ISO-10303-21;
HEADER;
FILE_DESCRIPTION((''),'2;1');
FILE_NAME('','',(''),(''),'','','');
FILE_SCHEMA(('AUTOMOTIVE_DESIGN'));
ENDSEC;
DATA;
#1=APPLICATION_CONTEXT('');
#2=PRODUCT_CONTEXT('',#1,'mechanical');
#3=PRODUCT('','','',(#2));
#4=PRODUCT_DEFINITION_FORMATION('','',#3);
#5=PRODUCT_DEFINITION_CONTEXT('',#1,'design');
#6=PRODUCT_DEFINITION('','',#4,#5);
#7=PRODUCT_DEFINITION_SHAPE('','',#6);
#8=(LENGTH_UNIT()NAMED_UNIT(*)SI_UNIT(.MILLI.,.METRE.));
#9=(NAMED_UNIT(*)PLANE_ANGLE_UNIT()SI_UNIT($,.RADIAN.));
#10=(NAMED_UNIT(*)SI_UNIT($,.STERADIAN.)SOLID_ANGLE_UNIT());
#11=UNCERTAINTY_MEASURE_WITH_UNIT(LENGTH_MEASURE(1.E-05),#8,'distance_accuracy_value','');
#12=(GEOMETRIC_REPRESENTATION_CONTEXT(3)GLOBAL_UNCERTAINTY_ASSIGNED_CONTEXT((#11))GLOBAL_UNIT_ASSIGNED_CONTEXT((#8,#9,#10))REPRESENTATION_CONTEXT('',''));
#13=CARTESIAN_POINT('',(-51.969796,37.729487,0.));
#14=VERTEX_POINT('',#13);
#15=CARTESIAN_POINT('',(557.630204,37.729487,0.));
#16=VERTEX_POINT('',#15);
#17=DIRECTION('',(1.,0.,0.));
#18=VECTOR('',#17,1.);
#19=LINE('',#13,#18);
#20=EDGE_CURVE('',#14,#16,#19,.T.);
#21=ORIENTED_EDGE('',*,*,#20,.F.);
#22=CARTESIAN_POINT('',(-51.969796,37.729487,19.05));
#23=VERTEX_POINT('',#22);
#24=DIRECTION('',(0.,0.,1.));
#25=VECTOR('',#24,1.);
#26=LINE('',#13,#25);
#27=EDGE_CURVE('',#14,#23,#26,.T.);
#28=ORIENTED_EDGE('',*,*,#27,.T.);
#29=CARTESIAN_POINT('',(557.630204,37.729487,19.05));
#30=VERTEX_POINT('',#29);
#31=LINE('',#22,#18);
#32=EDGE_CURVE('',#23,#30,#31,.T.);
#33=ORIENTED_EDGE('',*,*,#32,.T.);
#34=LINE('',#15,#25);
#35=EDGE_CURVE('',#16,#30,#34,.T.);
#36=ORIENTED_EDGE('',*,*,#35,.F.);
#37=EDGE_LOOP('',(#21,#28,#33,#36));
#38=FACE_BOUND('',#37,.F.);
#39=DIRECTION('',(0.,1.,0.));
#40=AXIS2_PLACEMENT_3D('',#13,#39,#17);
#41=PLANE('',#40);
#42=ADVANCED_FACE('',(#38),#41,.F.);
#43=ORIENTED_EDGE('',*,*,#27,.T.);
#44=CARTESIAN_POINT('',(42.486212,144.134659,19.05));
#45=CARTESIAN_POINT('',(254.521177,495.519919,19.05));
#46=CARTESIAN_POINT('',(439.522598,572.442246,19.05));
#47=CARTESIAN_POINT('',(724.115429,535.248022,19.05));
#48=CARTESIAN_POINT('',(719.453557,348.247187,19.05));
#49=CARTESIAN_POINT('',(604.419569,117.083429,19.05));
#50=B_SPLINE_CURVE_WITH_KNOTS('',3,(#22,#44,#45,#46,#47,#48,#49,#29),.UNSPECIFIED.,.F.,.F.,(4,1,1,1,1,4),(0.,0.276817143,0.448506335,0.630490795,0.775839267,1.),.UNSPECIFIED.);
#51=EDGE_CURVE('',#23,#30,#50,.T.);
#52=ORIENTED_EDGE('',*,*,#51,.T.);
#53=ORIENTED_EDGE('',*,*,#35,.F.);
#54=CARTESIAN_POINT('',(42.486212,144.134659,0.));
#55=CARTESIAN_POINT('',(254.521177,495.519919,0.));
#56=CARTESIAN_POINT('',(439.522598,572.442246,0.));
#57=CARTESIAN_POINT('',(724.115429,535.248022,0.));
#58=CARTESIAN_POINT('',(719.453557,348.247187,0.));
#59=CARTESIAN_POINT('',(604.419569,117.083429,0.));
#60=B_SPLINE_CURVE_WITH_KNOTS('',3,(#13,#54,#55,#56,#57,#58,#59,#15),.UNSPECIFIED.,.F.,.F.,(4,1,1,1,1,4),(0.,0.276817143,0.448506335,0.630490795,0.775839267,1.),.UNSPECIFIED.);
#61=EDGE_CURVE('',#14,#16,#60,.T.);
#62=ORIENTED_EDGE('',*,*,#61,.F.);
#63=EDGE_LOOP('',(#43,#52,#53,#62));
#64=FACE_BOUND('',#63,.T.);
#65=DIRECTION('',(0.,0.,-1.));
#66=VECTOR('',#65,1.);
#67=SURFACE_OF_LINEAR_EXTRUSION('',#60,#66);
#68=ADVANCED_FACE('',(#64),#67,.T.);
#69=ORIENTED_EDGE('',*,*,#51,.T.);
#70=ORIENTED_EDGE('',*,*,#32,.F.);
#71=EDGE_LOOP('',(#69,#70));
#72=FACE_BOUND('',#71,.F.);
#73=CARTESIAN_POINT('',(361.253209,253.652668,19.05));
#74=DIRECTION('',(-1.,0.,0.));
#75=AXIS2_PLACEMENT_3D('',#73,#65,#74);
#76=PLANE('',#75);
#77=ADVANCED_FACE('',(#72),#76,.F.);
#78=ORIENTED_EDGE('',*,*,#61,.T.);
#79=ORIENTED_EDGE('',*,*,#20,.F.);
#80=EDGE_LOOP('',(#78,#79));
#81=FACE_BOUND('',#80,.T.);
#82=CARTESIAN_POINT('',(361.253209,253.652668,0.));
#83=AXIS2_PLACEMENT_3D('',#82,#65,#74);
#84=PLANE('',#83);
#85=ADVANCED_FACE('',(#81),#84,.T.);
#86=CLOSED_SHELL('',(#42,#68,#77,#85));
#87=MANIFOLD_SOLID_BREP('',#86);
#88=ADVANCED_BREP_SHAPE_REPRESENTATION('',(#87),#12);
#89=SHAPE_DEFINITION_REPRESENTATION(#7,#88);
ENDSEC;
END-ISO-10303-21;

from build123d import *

# Parameters (mm, degrees)
F1_DEPTH = 19.05


with BuildPart() as f1:
    # F0 (on Top) → F1 (new body)
    with BuildSketch(Plane.XY):
        with BuildLine():
            add(Edge.make_bspline(
                [(-51.9697964191, 37.7294868231), (42.4862117344, 144.1346588404), (254.5211774744, 495.5199190155), (439.522597988, 572.44224558), (724.1154293288, 535.248021834), (719.4535572763, 348.2471873707), (604.4195694642, 117.0834290402), (557.6302035809, 37.7294868231)],
                knots=[0, 0, 0, 0, 0.2768171434, 0.4485063347, 0.6304907947, 0.775839267, 1, 1, 1, 1], degree=3))
            Line((-51.9697964191, 37.7294868231), (557.6302035809, 37.7294868231))
        make_face()
    extrude(amount=F1_DEPTH)


solid = f1.part
